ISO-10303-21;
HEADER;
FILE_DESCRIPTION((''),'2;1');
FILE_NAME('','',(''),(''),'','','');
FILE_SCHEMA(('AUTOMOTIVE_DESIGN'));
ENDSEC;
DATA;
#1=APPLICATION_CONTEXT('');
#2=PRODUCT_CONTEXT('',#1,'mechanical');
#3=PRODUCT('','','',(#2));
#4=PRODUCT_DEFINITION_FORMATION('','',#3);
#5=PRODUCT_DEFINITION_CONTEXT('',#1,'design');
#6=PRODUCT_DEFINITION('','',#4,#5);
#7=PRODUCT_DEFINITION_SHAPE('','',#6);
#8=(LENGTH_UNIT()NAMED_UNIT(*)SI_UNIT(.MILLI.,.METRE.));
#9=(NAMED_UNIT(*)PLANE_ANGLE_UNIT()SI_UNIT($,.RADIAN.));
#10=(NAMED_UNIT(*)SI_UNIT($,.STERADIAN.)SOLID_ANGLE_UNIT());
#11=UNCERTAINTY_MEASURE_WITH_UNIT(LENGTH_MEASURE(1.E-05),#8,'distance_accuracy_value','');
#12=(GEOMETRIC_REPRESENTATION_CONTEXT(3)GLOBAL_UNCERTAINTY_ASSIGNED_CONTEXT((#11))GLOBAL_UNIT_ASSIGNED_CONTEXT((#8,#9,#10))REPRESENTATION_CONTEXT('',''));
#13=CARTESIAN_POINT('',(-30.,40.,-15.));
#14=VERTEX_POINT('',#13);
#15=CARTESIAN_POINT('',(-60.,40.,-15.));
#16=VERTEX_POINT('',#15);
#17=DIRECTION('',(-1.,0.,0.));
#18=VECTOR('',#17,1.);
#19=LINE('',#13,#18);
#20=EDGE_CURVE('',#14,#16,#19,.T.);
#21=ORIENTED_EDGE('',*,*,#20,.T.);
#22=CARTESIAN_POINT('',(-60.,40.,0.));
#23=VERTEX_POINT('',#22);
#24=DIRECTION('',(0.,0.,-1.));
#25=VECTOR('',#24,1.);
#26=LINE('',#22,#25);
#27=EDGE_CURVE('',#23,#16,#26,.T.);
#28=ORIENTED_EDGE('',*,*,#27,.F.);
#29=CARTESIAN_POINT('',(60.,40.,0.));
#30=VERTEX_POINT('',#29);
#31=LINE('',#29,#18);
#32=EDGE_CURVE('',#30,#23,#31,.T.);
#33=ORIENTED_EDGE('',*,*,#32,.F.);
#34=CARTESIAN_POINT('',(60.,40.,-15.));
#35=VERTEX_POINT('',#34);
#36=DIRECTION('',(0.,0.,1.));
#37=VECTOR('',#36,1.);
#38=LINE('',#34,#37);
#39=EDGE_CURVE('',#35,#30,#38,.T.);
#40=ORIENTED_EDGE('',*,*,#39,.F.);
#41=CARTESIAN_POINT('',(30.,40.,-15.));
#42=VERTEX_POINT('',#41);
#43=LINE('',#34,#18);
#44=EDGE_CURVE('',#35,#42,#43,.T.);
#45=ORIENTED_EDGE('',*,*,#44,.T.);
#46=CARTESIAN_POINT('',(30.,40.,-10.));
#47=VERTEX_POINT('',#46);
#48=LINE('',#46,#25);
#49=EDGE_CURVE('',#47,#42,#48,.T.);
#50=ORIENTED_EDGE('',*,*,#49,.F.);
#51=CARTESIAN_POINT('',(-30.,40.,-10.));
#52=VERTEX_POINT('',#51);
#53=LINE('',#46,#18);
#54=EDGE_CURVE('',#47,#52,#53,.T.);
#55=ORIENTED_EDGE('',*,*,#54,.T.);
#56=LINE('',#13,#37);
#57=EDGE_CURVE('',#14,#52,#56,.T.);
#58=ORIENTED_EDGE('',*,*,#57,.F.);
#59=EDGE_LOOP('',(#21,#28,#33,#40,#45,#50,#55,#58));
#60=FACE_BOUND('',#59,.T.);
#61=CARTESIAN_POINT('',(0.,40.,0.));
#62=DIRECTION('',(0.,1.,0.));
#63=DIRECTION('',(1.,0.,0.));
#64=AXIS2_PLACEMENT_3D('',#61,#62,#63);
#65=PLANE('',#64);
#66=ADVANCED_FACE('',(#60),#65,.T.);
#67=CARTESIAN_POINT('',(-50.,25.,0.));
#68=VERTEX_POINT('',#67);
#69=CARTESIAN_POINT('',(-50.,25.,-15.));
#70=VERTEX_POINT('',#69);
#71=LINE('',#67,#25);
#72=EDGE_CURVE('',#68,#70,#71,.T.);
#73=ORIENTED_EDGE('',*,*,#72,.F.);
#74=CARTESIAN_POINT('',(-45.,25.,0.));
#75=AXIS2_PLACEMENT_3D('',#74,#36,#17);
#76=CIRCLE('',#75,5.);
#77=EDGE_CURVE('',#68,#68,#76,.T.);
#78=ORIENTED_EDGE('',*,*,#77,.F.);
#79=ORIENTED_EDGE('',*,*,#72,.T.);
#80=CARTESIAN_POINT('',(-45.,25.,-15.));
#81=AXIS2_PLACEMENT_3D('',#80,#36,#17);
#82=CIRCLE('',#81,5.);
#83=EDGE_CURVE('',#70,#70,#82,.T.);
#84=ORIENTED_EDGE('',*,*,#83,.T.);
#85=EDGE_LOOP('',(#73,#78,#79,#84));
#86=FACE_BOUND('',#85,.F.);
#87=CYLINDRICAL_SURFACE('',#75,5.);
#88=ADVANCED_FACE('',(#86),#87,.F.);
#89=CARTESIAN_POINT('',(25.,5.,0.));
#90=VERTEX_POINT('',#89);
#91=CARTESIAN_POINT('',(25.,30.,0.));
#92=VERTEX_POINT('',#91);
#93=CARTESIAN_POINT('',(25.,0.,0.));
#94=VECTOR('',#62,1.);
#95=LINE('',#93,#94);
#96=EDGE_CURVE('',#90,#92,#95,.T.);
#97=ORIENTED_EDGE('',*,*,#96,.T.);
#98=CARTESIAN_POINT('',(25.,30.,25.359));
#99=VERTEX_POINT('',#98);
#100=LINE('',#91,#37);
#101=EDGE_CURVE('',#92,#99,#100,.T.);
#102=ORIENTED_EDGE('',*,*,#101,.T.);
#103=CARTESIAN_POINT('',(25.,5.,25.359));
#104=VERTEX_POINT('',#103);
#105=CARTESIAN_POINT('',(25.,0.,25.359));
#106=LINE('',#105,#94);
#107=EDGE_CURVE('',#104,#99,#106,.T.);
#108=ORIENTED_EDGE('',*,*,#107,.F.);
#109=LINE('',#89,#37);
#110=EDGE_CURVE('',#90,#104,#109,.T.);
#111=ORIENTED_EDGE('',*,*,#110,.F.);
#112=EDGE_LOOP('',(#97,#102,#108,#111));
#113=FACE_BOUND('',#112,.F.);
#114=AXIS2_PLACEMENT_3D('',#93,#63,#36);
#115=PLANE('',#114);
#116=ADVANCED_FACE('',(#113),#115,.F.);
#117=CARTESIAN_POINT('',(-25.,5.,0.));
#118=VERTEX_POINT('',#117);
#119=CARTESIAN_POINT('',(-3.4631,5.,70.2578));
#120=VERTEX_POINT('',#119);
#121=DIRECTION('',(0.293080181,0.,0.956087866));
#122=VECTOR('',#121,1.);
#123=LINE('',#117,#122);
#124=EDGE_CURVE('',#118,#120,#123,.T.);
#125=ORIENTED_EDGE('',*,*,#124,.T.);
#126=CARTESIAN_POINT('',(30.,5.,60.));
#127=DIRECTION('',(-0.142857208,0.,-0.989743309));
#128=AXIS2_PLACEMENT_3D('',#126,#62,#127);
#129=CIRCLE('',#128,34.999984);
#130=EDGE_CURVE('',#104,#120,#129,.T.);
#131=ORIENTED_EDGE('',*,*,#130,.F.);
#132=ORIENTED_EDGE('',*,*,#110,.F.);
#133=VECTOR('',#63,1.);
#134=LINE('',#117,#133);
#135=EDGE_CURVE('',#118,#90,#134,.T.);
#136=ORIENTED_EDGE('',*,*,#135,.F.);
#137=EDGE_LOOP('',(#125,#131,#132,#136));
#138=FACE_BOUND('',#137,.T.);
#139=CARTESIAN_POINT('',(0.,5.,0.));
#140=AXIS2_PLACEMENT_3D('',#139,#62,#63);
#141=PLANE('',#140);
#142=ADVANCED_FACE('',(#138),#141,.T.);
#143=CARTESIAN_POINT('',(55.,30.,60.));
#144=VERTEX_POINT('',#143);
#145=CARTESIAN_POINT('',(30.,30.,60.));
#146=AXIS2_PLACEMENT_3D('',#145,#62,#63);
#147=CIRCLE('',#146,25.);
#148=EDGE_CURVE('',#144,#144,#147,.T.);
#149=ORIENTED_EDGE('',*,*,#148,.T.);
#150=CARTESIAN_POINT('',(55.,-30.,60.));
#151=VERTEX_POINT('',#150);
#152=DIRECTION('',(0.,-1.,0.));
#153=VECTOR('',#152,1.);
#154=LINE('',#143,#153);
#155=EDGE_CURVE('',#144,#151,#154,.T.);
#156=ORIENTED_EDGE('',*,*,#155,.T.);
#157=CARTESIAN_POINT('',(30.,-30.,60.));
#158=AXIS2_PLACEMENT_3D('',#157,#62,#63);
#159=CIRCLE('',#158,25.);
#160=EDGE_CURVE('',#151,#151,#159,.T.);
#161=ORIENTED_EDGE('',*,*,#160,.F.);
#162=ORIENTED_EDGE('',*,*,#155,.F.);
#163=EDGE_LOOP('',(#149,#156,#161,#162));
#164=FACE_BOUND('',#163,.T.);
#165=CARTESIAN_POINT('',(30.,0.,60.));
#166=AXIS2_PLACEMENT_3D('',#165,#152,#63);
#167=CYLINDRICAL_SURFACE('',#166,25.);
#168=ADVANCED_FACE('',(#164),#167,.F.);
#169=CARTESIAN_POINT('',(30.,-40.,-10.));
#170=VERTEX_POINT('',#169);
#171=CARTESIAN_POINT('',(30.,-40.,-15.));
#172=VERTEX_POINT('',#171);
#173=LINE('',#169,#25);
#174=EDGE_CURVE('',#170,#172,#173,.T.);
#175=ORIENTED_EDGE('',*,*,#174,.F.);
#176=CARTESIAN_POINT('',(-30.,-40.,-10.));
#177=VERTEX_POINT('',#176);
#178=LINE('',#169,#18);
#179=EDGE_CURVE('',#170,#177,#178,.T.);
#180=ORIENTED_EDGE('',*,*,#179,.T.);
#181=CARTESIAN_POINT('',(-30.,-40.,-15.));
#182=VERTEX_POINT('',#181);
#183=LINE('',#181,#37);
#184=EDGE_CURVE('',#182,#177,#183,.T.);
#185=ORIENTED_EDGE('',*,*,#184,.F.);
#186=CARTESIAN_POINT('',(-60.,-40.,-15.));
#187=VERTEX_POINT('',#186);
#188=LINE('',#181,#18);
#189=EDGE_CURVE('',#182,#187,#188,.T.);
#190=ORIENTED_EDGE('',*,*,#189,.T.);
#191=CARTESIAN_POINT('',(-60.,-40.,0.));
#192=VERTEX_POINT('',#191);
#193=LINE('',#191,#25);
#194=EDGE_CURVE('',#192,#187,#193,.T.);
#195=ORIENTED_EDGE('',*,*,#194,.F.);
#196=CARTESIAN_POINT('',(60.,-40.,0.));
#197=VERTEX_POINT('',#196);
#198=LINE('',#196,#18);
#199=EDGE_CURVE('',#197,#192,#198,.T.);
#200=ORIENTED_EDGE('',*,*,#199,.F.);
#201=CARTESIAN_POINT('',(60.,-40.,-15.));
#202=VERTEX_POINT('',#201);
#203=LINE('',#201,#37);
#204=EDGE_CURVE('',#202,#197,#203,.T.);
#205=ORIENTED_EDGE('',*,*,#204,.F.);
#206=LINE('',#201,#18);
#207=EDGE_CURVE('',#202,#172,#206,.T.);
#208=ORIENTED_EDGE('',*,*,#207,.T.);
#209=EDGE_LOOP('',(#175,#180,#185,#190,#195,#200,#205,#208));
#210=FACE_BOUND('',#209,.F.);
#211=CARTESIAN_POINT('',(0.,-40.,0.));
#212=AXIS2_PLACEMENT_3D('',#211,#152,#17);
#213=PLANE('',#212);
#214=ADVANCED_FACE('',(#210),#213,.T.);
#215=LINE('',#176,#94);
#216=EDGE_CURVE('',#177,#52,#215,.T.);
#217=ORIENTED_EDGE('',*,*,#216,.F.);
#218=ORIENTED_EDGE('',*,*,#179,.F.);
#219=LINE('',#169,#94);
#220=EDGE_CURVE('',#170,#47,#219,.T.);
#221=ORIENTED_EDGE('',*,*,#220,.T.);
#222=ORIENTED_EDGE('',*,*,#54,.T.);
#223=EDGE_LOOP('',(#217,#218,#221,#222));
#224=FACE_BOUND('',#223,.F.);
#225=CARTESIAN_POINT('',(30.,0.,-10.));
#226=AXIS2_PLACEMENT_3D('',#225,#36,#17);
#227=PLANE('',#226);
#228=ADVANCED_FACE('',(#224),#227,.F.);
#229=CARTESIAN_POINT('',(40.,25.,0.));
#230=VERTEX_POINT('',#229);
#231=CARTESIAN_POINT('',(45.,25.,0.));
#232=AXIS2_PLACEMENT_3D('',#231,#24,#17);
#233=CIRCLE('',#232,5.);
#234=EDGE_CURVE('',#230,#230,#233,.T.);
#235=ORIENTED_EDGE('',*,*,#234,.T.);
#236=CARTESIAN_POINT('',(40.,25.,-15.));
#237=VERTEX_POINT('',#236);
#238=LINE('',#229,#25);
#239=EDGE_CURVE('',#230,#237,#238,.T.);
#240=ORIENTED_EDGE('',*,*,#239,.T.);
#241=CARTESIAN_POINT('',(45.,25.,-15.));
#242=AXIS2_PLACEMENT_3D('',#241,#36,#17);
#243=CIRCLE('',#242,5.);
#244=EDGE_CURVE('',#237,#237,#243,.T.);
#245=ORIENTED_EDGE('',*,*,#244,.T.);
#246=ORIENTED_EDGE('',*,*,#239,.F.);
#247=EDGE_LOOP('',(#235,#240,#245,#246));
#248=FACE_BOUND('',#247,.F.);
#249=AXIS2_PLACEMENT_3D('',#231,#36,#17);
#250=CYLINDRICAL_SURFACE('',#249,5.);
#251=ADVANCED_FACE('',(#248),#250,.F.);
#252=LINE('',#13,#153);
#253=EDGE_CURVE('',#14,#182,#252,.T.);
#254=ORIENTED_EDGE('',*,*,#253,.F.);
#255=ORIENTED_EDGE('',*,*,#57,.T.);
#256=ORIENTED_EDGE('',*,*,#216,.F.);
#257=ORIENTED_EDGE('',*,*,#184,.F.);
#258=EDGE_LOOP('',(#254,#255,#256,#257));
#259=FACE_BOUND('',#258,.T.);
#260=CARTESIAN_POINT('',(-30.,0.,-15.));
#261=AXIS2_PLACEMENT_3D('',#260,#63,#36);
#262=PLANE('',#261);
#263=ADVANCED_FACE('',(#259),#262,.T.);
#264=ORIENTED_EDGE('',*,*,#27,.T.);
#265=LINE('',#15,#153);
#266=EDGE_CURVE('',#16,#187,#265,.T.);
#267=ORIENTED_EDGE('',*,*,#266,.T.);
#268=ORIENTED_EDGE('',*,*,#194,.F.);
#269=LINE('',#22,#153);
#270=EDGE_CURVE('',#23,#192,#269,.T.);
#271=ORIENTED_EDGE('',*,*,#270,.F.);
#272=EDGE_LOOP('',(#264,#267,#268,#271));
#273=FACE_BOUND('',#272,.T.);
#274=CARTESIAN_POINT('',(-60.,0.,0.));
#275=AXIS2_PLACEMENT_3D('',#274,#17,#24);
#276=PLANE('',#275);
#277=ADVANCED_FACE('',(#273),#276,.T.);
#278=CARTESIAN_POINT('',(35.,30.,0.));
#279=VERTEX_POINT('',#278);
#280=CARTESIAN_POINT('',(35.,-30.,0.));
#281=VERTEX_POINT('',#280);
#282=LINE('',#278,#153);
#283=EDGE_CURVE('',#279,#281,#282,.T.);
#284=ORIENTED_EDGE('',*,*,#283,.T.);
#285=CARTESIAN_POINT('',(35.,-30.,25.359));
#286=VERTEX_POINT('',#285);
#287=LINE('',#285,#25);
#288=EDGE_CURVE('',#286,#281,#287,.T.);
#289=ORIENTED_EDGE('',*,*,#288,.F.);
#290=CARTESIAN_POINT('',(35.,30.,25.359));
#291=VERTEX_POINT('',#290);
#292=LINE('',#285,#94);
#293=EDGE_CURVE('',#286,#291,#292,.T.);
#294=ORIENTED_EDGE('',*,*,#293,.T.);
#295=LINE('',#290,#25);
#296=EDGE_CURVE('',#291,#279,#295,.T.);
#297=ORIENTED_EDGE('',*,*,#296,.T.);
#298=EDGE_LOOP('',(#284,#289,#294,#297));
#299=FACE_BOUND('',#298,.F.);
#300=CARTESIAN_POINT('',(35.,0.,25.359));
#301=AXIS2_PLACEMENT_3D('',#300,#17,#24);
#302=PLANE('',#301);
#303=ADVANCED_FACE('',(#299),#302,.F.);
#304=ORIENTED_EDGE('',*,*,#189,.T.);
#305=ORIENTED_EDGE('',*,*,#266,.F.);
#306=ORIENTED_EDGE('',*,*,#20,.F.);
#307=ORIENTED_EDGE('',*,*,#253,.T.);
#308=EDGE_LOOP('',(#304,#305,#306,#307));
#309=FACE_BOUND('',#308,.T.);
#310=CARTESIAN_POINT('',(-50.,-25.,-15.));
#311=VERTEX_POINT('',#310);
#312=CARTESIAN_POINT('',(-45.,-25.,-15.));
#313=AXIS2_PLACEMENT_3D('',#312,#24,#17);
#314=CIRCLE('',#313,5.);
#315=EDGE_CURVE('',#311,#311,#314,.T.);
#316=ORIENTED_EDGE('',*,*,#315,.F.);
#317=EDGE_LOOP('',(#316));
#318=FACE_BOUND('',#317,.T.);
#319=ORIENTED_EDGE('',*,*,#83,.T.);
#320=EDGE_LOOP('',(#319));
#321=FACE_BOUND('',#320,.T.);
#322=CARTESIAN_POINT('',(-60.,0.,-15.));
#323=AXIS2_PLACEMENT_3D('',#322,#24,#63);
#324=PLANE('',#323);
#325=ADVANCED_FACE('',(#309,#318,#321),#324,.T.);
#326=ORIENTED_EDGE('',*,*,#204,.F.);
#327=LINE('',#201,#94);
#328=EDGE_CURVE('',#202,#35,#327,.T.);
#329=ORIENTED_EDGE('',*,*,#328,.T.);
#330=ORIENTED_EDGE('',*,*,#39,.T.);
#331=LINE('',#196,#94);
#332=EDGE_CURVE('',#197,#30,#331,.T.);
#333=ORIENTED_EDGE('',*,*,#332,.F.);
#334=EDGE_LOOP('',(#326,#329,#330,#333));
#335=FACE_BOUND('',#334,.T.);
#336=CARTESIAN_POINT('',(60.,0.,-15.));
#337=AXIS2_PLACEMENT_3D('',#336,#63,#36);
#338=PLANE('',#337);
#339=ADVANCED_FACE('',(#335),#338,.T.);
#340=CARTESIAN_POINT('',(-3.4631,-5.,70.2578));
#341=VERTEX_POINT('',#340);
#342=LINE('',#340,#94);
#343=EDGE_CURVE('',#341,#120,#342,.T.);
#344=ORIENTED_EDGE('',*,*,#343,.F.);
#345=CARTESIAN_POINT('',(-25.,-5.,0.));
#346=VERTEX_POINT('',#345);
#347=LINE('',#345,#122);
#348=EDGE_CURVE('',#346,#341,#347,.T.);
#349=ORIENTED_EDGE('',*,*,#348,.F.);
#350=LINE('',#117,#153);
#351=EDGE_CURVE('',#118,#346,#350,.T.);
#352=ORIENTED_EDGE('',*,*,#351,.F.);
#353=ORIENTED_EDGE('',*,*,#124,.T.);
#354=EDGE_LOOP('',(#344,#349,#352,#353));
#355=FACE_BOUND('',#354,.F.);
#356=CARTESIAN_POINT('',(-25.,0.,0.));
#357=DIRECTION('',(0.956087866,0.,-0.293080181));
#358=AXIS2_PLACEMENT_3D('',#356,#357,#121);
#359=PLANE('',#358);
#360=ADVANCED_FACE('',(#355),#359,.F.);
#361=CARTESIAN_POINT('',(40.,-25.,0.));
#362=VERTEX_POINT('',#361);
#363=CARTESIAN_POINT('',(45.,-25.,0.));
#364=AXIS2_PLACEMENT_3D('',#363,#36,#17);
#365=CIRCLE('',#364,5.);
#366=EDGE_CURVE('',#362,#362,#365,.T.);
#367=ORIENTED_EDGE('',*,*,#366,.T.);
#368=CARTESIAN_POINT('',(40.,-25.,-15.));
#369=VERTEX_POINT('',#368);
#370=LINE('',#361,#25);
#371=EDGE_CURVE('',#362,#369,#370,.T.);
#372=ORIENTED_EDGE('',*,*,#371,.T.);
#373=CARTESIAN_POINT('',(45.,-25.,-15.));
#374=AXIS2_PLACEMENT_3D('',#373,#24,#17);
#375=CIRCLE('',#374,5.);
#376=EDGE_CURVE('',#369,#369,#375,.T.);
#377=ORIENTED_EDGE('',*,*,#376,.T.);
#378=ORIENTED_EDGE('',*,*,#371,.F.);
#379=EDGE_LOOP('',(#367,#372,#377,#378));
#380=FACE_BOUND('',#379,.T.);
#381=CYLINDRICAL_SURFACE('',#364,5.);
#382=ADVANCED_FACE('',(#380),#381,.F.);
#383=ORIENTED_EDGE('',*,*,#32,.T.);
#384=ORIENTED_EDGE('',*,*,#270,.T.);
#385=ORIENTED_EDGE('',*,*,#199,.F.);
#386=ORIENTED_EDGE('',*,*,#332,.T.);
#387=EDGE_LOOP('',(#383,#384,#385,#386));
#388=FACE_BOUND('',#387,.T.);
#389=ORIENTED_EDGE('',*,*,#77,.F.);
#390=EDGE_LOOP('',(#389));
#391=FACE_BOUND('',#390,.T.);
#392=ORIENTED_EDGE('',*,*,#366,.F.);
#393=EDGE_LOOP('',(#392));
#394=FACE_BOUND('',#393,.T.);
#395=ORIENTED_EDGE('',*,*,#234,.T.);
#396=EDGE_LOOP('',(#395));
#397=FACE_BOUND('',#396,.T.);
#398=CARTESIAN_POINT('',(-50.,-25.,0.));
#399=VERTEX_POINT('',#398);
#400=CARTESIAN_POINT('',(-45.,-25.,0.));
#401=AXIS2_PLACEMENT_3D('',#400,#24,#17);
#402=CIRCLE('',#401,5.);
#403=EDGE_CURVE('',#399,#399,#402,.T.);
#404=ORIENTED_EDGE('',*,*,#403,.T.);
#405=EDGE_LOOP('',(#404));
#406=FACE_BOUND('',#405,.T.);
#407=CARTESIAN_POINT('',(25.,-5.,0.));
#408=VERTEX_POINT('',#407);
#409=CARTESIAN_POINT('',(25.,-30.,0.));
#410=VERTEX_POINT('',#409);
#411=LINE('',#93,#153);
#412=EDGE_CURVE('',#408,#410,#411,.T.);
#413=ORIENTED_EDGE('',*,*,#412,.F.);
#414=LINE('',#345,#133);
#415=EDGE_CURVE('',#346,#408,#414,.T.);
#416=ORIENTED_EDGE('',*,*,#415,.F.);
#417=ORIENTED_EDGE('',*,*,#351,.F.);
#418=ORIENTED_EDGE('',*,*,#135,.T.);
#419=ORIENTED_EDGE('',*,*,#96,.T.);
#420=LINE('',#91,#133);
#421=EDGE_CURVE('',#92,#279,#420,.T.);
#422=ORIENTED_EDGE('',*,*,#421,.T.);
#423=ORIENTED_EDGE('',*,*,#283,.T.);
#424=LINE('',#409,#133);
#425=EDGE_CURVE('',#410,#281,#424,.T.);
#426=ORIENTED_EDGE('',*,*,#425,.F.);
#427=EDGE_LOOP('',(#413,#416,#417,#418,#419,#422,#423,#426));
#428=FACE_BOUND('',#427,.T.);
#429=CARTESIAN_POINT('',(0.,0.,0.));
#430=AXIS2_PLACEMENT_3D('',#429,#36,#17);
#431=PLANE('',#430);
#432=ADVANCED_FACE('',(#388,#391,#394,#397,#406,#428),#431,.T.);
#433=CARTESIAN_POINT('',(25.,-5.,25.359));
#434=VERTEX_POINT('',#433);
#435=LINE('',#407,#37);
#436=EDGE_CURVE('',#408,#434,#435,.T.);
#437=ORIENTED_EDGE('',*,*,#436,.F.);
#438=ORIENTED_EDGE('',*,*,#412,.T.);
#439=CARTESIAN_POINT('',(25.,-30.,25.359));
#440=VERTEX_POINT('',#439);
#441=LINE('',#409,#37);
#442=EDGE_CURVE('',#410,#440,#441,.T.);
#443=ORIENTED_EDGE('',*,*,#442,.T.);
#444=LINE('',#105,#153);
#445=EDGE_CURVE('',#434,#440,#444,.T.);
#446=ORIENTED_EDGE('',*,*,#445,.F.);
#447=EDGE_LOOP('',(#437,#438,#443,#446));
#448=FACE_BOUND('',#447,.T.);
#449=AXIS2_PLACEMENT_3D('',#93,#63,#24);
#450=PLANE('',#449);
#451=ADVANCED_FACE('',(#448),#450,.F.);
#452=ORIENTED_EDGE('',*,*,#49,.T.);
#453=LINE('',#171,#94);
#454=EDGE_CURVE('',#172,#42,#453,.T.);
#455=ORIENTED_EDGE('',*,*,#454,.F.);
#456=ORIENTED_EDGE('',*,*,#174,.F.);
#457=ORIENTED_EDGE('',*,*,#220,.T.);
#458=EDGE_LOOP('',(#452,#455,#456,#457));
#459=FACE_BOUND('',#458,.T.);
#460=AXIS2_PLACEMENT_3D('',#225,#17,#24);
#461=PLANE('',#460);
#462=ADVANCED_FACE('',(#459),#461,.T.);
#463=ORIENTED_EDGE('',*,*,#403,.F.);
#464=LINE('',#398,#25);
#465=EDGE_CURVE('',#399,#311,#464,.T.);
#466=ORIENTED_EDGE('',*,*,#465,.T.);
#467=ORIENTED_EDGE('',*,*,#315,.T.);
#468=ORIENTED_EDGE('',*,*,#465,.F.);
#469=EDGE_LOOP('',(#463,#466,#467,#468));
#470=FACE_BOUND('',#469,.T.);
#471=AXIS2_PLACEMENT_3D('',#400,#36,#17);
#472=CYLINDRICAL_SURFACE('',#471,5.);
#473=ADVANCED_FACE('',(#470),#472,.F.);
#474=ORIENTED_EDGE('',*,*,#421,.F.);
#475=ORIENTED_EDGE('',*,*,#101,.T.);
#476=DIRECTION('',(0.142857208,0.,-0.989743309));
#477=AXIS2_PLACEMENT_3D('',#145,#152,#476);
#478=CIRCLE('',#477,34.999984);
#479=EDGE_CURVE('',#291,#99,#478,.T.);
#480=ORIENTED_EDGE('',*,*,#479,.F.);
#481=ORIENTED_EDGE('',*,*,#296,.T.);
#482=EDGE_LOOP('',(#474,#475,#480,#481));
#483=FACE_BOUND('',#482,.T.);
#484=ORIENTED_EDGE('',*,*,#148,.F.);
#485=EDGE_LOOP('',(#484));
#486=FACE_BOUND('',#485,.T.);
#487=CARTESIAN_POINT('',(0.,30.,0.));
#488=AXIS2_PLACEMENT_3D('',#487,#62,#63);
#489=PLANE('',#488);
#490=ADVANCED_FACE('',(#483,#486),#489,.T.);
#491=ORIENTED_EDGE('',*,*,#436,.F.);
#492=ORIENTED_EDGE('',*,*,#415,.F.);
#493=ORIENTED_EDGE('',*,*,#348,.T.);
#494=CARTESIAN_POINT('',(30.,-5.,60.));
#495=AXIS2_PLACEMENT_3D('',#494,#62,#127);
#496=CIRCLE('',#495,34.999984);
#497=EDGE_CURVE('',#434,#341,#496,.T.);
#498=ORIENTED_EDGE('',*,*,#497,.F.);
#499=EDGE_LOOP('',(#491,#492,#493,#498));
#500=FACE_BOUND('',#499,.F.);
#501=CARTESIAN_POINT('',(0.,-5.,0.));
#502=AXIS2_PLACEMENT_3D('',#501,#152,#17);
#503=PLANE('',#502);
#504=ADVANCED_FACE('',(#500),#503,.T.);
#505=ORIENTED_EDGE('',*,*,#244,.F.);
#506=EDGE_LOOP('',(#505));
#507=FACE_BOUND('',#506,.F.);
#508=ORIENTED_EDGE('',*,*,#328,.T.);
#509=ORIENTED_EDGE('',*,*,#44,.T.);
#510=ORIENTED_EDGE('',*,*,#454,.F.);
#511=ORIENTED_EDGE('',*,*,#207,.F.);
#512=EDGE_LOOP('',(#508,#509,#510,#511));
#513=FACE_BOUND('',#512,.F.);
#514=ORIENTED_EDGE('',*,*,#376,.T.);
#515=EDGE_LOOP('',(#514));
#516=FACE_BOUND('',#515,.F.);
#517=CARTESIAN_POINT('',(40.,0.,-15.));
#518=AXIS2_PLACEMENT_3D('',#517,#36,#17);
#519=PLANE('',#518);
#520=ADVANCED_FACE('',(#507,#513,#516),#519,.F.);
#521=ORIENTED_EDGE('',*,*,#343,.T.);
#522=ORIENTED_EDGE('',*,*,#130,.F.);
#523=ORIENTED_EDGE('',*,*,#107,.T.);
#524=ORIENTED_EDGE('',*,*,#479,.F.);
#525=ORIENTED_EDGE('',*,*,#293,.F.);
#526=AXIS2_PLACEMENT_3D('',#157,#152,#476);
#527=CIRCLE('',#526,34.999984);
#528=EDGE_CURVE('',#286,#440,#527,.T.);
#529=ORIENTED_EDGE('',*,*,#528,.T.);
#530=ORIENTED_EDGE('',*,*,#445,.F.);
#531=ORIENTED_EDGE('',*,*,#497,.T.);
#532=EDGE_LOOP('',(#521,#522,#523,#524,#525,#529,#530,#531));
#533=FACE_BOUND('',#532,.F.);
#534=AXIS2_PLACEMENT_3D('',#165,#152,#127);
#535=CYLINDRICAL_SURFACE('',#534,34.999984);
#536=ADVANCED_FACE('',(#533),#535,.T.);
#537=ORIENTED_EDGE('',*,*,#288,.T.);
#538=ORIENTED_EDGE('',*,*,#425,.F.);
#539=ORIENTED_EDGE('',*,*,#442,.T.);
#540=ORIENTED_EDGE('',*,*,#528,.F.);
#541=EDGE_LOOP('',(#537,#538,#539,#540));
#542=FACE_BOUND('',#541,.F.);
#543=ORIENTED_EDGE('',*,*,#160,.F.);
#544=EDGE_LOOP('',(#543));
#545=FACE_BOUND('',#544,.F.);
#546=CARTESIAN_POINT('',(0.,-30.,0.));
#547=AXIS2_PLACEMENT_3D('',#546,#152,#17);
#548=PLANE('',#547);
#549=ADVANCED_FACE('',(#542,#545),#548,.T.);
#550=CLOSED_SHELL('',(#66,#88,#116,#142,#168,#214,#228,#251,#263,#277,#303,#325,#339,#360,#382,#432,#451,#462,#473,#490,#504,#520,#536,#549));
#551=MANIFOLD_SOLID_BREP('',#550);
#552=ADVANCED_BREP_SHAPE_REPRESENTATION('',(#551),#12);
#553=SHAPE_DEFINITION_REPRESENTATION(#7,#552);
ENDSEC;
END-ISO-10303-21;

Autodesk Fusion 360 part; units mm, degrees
sketch "Sketch1" plane through (0, 0, 0) normal (0, 1, 0) x (1, 0, 0)
  line L0 (0, 0) -> (60, 0)
  line L1 (0, 0) -> (-60, 0)
  line L2 (-60, 0) -> (-60, 15)
  line L3 (-60, 15) -> (-40, 15)
  line L4 (30, 10) -> (-30, 10)
  line L5 (40, 15) -> (60, 15)
  line L6 (60, 15) -> (60, 0)
  line L7 (-40, 15) -> (-30, 15)
  line L8 (-30, 15) -> (-30, 10)
  line L9 (30, 10) -> (30, 15)
  line L10 (40, 15) -> (30, 15)
  line L11 (60, 0) -> (30, 0)
  line L12 (30, 0) -> (35, 0)
  line L13 (35, 0) -> (25, 0)
  line L14 (25, 0) -> (25, -25.359)
  line L15 (35, -25.359) -> (35, 0)
  arc A0 (25, -25.359) -> (35, -25.359) centre (30, -60) ccw
  circle A1 centre (30, -60) radius 25
  line L16 (25, 0) -> (-30, 0)
  line L17 (-60, 0) -> (-25, 0)
  line L18 (-25, 0) -> (-3.4631, -70.2578)
extrude "Extrude1" add sketch "Sketch1" along normal blind 40 contours L0 L1 L2 L3 L4 L5 L6 L7 L8 L9 L10 L11 L12 L13 L16 L17
extrude "Extrude3" add sketch "Sketch1" along normal blind 30 contours L0 L11 L12 L13 L14 L15 A0
extrude "Extrude2" add sketch "Sketch1" along normal blind 5 contours L0 L1 L14 A0 L16 L18
sketch "Sketch2" plane through (0, 0, 0) normal (0, 0, 1) x (-1, 0, 0)
  line L0 (25, -5) -> (-25, -5)
  line L1 (-25, -5) -> (-25, -30)
  line L2 (-25, -30) -> (-35, -30)
  line L3 (-35, -30) -> (-35, 0)
  line L4 (-35, 0) -> (-60, 0)
  line L5 (-60, 0) -> (-60, -40)
  line L6 (-60, -40) -> (60, -40)
  line L7 (60, -40) -> (60, 0)
  line L8 (60, 0) -> (25, 0)
  line L9 (25, 0) -> (25, -5)
  line L10 (-60, -40) -> (-45, -40)
  line L11 (-45, -40) -> (-45, -25)
  circle A0 centre (-45, -25) radius 5
  line L12 (60, -40) -> (60, -25)
  line L13 (60, -25) -> (45, -25)
  circle A1 centre (45, -25) radius 5
  dimension "d7" = 10
  dimension "d8" = 10
extrude "Extrude4" cut sketch "Sketch2" against normal blind 15 contours A0 | A1
mirror "Mirror1" about plane through (0, 0, 0) normal (0, -1, 0) of bodies 1 merged
